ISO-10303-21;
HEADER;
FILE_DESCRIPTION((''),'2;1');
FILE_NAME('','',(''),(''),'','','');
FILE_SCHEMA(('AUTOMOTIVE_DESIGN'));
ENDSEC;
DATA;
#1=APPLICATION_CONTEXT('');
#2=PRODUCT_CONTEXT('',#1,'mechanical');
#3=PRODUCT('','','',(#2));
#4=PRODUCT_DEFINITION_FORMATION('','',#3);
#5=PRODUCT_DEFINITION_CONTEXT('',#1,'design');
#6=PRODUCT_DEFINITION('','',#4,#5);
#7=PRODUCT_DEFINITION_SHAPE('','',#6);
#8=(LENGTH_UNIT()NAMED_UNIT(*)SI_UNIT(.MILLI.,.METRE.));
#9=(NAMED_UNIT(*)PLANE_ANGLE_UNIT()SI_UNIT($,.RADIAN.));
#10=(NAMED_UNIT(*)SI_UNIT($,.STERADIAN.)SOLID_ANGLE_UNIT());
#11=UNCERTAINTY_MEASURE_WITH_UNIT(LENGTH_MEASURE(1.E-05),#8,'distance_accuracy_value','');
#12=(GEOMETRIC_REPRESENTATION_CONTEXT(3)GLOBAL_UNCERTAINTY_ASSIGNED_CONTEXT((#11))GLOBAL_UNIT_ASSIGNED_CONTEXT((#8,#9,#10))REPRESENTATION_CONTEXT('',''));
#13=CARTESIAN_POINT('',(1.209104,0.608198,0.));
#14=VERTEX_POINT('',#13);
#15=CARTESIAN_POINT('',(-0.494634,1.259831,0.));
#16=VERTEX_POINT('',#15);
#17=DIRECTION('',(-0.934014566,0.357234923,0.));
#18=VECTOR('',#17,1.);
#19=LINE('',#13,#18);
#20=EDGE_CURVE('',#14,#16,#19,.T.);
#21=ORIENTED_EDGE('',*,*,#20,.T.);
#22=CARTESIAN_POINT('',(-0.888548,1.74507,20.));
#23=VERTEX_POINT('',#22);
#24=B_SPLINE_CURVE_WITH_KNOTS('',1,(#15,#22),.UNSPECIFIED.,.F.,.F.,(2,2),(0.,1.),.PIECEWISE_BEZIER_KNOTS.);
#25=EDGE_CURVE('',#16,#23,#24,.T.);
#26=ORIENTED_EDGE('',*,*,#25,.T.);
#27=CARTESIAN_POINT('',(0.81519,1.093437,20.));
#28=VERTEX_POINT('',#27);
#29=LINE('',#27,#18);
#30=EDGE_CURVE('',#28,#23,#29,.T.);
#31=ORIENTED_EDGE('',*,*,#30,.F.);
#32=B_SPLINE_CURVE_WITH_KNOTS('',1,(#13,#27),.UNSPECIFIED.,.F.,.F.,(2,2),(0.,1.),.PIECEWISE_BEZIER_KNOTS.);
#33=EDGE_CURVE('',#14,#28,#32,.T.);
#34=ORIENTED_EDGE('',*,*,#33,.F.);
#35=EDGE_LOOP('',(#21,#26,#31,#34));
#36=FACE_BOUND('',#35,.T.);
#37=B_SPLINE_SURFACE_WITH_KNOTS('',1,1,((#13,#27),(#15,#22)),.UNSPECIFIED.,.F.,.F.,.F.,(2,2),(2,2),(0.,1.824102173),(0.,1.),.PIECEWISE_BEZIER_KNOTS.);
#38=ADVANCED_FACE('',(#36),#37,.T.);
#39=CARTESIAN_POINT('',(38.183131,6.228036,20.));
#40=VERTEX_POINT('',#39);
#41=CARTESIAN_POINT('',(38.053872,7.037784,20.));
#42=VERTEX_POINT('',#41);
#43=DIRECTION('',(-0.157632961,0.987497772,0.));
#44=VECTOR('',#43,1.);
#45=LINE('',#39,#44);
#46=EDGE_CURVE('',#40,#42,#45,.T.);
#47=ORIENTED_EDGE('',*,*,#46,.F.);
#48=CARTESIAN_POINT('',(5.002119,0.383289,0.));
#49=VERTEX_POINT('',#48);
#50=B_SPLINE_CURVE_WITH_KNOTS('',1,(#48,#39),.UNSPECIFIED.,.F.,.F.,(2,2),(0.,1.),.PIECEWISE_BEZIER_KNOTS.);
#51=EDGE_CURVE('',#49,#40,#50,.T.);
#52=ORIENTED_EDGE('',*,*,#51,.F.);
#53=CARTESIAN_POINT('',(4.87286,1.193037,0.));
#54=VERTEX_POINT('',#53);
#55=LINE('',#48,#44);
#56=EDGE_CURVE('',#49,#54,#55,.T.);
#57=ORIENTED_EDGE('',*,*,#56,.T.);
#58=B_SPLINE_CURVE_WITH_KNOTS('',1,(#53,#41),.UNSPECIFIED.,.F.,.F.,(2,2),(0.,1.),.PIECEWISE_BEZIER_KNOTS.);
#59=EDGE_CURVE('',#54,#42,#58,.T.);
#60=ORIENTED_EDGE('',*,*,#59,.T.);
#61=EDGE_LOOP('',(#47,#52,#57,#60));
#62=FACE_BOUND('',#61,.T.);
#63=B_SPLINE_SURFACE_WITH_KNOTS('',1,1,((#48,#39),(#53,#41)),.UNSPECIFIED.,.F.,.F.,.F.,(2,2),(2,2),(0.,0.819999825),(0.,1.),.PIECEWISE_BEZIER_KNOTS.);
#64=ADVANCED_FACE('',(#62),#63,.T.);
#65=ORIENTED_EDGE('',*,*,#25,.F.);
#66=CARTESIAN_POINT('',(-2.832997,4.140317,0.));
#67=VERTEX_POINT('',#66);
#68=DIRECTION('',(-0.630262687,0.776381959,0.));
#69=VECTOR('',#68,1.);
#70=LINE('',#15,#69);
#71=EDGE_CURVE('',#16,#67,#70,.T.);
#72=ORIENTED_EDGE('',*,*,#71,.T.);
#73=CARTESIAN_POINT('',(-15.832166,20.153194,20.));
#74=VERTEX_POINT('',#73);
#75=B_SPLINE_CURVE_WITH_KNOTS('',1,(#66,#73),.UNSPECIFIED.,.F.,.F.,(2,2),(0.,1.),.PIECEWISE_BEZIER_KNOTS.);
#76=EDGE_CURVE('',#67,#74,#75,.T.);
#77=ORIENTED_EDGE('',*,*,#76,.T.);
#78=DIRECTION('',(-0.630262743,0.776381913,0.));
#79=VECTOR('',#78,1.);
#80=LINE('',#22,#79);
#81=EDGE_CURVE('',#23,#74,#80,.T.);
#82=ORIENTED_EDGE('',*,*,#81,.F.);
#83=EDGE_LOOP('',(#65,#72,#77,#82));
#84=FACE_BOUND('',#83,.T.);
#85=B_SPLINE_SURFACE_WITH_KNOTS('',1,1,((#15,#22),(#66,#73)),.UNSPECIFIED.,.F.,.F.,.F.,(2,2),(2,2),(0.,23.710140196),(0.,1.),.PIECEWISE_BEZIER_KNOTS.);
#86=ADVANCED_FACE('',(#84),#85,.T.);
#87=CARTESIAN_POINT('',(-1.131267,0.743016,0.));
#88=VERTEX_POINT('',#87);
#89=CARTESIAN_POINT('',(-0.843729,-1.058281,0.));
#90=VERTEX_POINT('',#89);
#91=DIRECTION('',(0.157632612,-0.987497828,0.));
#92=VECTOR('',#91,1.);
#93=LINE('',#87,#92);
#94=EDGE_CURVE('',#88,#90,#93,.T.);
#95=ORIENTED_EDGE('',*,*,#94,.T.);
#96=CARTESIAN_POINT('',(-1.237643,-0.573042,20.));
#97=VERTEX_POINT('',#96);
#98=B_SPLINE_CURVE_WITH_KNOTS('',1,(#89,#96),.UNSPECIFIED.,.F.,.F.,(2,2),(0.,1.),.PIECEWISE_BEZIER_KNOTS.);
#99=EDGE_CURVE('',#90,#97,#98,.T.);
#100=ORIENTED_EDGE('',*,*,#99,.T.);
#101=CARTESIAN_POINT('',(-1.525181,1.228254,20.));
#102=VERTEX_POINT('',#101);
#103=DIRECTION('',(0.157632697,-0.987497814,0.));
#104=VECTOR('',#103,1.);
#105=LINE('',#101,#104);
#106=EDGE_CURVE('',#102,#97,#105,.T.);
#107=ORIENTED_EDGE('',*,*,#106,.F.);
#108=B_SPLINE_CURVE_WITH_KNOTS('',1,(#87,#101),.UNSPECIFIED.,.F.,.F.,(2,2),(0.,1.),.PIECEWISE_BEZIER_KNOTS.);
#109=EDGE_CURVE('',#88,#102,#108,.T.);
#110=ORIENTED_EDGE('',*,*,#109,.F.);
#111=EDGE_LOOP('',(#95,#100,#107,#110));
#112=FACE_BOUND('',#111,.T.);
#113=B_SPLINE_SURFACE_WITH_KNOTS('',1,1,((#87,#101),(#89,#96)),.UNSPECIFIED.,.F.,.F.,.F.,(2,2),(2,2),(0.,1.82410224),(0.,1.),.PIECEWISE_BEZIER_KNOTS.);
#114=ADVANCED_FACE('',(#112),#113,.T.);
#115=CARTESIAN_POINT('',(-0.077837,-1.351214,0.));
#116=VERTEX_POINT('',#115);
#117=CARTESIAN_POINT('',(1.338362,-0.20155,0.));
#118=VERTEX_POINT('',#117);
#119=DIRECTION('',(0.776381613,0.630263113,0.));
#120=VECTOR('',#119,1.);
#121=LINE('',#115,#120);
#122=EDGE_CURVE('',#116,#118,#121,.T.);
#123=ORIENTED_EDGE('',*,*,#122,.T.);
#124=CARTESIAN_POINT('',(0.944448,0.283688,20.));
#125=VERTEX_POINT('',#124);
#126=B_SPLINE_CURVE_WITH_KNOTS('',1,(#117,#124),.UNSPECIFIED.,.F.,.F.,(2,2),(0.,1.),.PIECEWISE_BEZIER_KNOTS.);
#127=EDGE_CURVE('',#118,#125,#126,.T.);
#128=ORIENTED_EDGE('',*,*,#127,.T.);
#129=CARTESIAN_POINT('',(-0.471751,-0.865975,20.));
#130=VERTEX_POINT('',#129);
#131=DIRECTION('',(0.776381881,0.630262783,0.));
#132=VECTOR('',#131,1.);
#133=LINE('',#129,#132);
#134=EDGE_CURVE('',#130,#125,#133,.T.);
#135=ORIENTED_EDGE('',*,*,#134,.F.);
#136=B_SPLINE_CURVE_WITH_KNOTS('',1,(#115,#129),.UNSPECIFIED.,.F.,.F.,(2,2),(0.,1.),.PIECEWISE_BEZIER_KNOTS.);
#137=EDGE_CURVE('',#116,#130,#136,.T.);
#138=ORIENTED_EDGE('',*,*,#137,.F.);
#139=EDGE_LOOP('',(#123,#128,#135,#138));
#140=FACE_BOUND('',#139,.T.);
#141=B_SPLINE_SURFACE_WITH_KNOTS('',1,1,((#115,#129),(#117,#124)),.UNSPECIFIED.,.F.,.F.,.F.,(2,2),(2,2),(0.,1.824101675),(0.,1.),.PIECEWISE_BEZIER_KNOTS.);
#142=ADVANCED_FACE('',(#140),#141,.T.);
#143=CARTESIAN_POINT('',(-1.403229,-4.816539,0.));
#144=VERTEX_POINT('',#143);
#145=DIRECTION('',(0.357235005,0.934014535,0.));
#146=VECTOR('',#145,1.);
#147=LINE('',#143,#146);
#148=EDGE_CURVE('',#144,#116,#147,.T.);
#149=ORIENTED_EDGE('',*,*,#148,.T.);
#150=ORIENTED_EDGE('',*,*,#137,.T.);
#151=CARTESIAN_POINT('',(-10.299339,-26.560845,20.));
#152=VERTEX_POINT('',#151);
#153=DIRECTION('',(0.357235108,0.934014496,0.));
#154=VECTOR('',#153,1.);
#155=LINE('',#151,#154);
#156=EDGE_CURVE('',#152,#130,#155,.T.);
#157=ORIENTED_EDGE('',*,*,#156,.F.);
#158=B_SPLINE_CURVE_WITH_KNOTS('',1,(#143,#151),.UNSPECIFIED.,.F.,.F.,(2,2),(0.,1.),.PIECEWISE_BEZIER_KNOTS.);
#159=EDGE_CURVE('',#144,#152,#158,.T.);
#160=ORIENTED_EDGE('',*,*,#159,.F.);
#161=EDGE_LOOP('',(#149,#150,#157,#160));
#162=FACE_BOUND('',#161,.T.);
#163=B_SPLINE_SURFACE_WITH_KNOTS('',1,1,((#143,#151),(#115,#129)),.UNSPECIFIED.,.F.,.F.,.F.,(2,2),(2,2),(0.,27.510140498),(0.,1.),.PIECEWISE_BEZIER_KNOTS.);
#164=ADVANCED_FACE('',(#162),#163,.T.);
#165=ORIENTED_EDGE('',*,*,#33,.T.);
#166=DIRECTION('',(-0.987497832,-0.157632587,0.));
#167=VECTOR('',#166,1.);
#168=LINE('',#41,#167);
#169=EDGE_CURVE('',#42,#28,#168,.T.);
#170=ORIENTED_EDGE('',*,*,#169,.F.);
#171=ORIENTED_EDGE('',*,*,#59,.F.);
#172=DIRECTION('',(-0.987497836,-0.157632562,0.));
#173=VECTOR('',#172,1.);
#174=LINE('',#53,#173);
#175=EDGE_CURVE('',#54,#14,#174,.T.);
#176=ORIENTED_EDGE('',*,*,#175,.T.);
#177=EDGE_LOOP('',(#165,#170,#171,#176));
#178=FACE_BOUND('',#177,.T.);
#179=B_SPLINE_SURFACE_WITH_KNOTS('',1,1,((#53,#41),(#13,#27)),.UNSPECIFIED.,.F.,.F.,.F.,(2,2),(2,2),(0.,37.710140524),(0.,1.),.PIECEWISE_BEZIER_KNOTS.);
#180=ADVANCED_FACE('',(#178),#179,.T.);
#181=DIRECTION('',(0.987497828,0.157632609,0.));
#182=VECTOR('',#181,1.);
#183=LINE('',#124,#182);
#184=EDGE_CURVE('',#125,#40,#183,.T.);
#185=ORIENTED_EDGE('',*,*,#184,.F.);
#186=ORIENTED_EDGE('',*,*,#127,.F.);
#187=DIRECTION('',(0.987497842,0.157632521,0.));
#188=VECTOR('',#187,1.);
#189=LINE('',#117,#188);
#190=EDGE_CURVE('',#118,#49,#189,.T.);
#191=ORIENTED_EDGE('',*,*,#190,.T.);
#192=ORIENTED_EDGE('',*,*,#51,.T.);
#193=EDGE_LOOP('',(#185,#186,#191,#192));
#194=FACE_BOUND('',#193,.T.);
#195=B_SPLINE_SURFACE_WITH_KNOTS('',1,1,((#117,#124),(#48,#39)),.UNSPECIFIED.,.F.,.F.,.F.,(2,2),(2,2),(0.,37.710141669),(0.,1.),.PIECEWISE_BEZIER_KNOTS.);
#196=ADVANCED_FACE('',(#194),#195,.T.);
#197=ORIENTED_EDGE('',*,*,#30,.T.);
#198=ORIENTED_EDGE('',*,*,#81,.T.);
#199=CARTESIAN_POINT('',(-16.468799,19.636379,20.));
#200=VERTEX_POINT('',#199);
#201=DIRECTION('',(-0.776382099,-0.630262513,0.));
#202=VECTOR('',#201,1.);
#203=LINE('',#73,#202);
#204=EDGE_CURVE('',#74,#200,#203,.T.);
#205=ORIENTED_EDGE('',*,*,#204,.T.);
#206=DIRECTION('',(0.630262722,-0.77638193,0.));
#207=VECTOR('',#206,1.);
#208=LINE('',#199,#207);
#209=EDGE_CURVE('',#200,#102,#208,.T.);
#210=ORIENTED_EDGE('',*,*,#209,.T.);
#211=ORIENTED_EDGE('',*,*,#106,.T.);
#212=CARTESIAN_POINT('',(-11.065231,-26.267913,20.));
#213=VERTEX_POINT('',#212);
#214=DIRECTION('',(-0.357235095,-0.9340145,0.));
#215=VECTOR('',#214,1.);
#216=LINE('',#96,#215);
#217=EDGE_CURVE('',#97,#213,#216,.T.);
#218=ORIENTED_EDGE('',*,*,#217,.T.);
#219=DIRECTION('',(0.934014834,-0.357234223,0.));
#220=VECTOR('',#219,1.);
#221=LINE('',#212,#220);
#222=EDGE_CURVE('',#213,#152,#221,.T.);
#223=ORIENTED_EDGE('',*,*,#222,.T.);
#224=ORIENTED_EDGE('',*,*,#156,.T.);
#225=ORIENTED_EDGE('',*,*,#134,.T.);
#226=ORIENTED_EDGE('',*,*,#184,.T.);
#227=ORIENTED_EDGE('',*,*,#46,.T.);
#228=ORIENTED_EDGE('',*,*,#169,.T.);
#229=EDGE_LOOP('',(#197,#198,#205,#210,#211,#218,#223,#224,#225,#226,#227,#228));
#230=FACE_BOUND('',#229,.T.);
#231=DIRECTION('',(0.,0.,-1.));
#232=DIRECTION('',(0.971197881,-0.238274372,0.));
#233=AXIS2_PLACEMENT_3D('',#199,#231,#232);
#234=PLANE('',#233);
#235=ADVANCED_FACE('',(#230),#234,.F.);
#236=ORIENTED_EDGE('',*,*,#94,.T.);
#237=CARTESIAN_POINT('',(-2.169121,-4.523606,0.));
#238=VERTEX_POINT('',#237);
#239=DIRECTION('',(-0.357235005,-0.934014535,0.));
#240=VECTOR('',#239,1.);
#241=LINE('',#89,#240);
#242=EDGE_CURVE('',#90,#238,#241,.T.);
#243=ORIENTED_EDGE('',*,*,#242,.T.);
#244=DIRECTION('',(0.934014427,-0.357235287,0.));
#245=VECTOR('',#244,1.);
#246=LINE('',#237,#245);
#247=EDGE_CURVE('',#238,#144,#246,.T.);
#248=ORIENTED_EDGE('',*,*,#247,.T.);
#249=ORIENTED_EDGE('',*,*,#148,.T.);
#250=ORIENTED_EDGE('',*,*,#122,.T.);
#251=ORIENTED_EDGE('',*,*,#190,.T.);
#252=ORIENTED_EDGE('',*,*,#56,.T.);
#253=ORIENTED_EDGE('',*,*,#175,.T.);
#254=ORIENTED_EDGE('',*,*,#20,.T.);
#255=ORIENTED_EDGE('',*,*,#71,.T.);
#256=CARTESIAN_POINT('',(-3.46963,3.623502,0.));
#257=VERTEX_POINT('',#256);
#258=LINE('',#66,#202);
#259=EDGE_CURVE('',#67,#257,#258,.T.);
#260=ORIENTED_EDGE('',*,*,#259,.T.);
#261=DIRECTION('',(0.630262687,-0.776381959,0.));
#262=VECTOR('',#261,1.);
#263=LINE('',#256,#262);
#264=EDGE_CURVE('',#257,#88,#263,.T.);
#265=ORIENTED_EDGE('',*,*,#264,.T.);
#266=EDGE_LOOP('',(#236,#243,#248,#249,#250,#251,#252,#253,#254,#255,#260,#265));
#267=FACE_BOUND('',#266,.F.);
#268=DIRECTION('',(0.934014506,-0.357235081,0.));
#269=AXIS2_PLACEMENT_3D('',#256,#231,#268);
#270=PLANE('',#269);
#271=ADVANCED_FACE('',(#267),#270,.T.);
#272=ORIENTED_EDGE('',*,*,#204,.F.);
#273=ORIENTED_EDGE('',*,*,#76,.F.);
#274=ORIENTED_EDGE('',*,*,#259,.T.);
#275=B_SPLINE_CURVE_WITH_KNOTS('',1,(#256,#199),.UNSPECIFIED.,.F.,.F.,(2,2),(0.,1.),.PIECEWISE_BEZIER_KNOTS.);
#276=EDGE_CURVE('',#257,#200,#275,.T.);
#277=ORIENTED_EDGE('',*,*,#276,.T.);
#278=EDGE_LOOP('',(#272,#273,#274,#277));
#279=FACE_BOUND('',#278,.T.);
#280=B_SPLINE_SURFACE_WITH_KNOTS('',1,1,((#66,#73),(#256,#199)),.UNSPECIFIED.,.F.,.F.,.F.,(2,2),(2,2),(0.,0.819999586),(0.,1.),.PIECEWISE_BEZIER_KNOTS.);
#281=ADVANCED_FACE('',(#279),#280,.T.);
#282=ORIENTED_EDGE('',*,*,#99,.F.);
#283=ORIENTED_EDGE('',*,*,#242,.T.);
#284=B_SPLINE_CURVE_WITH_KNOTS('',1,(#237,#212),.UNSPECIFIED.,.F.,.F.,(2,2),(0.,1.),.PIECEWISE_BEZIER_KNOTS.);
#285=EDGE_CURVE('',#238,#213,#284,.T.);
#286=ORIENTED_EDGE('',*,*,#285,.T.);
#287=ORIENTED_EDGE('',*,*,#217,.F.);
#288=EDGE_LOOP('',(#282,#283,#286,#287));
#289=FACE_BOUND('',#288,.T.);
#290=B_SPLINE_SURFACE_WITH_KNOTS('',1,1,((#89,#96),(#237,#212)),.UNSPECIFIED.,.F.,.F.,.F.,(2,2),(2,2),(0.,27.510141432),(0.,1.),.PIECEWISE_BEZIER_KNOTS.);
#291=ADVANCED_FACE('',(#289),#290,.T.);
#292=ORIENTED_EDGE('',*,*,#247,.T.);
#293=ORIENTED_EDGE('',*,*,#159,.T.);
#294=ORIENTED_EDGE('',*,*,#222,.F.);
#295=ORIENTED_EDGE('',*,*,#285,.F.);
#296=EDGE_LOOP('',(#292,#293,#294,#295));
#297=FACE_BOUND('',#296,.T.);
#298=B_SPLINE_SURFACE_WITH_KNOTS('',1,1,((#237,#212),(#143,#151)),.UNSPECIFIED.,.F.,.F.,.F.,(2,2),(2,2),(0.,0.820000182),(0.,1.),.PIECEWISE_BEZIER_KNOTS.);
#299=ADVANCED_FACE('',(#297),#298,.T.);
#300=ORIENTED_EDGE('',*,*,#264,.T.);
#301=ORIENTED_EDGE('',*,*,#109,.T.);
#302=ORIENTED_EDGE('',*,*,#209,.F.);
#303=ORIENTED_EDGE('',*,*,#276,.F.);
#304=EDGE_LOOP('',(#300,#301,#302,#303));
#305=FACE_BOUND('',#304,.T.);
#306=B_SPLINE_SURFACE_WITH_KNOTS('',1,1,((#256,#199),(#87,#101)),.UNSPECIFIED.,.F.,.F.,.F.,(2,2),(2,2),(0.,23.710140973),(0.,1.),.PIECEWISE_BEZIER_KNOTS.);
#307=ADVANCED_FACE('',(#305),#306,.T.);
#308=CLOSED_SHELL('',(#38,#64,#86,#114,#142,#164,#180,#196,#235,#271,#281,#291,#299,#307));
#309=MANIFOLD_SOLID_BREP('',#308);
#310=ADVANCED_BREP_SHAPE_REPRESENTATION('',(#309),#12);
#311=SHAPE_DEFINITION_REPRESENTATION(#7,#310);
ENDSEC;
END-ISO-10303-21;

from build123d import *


with BuildPart() as f3:
    # F0 (on Top) → F3 section 0
    with BuildSketch(Plane.XY):
        Polygon((-3.46963, 3.623502), (-1.131267, 0.743016), (-0.843729, -1.058281), (-2.169121, -4.523606), (-1.403229, -4.816539), (-0.077837, -1.351214), (1.338362, -0.20155), (5.002119, 0.383289), (4.87286, 1.193037), (1.209104, 0.608198), (-0.494634, 1.259831), (-2.832997, 4.140317), align=None)
    # F2 (on offset) → F3 section 1
    with BuildSketch(Plane.XY.offset(20)):
        Polygon((-16.468799, 19.636379), (-1.525181, 1.228254), (-1.237643, -0.573042), (-11.065231, -26.267913), (-10.299339, -26.560845), (-0.471751, -0.865975), (0.944448, 0.283688), (38.183131, 6.228036), (38.053872, 7.037784), (0.81519, 1.093437), (-0.888548, 1.74507), (-15.832166, 20.153194), align=None)
    loft()


solid = f3.part
